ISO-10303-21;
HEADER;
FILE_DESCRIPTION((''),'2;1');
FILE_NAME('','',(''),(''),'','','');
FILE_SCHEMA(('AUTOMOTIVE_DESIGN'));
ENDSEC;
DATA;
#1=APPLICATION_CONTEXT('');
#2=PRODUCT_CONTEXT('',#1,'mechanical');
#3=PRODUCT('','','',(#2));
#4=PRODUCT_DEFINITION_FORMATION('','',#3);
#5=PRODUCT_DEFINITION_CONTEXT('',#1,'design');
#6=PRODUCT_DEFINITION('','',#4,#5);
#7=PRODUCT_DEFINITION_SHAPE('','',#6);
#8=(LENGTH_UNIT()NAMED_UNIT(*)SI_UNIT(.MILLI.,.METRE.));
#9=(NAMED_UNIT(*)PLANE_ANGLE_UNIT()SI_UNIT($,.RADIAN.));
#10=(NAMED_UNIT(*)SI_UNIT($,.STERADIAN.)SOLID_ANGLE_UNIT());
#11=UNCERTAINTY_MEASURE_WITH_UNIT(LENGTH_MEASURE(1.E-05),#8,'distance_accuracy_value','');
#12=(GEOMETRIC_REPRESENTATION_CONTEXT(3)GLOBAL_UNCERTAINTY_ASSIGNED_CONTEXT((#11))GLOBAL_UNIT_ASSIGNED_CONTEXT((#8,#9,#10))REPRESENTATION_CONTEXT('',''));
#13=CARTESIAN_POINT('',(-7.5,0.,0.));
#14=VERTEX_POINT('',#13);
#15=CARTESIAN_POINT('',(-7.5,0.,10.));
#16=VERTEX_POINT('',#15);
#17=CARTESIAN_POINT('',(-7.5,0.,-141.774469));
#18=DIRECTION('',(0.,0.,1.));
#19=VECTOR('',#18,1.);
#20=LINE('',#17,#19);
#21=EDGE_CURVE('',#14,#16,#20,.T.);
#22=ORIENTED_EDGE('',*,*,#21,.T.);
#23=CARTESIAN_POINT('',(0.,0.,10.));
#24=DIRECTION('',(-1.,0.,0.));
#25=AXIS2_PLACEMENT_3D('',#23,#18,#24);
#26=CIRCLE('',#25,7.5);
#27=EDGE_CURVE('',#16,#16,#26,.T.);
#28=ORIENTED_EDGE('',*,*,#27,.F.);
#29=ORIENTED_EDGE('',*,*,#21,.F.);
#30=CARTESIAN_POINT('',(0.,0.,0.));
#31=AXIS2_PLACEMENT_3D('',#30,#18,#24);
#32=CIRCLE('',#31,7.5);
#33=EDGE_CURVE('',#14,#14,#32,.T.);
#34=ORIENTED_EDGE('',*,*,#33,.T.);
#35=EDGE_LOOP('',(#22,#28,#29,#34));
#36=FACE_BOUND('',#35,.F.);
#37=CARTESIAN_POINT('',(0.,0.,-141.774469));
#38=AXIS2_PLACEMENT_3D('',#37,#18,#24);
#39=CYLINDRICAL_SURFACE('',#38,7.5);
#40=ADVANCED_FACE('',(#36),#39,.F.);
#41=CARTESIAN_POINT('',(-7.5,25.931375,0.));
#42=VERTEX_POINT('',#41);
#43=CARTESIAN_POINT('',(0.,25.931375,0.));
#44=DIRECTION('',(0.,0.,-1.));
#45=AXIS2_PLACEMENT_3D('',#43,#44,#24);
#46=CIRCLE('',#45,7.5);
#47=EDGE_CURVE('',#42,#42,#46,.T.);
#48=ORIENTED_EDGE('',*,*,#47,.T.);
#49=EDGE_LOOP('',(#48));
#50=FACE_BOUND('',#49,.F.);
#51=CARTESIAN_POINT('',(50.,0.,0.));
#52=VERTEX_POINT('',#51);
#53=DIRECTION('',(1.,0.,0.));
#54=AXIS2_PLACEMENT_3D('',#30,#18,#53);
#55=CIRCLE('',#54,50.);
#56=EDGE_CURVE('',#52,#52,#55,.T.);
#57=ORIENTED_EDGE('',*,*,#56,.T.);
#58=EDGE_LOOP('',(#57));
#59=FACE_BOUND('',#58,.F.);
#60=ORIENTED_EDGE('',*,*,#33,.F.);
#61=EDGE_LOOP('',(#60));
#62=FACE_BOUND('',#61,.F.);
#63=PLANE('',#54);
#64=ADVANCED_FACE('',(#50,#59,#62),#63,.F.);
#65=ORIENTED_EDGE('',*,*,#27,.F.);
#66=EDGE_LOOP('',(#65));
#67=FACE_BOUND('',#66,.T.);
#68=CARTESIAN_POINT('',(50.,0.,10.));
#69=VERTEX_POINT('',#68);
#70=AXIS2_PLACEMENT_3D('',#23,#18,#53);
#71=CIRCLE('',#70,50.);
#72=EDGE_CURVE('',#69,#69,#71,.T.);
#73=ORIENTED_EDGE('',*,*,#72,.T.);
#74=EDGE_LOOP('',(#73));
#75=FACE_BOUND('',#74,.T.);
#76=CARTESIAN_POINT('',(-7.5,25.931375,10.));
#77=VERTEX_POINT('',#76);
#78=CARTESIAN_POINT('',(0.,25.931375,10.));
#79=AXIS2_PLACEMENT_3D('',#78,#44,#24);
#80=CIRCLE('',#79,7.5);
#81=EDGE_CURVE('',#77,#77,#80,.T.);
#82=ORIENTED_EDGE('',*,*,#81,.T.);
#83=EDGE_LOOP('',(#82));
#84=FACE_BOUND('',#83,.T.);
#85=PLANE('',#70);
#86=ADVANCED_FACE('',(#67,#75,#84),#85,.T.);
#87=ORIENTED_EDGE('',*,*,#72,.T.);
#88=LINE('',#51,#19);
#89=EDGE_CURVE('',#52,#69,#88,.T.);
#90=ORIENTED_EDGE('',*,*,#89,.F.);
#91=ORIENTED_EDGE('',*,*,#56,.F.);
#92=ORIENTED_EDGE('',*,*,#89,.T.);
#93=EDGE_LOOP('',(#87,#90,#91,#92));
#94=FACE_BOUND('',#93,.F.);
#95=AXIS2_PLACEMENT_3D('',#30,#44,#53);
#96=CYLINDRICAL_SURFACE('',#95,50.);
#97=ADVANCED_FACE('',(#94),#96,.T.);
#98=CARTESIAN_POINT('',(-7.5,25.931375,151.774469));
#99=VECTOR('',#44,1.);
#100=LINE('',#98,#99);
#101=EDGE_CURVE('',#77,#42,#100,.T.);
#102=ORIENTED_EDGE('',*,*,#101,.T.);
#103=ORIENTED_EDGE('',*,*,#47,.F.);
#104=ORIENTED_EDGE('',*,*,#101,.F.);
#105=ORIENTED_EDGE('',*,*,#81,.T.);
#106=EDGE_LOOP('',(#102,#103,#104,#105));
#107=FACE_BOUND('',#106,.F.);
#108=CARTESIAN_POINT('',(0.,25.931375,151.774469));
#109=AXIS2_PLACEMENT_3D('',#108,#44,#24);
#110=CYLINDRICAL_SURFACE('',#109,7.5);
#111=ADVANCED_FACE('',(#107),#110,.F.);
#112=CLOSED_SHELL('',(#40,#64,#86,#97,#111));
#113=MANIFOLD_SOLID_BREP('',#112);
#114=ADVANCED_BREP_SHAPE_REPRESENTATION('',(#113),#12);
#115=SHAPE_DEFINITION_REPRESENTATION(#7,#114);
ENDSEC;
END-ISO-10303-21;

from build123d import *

# Parameters (mm, degrees)
F0_R     = 50
F2_DEPTH = 10
F4_D     = 15
F6_D     = 15


with BuildPart() as f2:
    # F0 (on Top) → F2 (new body)
    with BuildSketch(Plane.XY):
        Circle(F0_R)
    extrude(amount=F2_DEPTH)

    # F4 (through all)
    with Locations(Plane.XY.offset(10)):
        with Locations((0, 25.931375)):
            Hole(F4_D / 2)

    # F6 (through all)
    with Locations(Plane(origin=(0, 0, 0), x_dir=(1, 0, 0), z_dir=(0, 0, -1))):
        with Locations((0, 0)):
            Hole(F6_D / 2)


solid = f2.part
